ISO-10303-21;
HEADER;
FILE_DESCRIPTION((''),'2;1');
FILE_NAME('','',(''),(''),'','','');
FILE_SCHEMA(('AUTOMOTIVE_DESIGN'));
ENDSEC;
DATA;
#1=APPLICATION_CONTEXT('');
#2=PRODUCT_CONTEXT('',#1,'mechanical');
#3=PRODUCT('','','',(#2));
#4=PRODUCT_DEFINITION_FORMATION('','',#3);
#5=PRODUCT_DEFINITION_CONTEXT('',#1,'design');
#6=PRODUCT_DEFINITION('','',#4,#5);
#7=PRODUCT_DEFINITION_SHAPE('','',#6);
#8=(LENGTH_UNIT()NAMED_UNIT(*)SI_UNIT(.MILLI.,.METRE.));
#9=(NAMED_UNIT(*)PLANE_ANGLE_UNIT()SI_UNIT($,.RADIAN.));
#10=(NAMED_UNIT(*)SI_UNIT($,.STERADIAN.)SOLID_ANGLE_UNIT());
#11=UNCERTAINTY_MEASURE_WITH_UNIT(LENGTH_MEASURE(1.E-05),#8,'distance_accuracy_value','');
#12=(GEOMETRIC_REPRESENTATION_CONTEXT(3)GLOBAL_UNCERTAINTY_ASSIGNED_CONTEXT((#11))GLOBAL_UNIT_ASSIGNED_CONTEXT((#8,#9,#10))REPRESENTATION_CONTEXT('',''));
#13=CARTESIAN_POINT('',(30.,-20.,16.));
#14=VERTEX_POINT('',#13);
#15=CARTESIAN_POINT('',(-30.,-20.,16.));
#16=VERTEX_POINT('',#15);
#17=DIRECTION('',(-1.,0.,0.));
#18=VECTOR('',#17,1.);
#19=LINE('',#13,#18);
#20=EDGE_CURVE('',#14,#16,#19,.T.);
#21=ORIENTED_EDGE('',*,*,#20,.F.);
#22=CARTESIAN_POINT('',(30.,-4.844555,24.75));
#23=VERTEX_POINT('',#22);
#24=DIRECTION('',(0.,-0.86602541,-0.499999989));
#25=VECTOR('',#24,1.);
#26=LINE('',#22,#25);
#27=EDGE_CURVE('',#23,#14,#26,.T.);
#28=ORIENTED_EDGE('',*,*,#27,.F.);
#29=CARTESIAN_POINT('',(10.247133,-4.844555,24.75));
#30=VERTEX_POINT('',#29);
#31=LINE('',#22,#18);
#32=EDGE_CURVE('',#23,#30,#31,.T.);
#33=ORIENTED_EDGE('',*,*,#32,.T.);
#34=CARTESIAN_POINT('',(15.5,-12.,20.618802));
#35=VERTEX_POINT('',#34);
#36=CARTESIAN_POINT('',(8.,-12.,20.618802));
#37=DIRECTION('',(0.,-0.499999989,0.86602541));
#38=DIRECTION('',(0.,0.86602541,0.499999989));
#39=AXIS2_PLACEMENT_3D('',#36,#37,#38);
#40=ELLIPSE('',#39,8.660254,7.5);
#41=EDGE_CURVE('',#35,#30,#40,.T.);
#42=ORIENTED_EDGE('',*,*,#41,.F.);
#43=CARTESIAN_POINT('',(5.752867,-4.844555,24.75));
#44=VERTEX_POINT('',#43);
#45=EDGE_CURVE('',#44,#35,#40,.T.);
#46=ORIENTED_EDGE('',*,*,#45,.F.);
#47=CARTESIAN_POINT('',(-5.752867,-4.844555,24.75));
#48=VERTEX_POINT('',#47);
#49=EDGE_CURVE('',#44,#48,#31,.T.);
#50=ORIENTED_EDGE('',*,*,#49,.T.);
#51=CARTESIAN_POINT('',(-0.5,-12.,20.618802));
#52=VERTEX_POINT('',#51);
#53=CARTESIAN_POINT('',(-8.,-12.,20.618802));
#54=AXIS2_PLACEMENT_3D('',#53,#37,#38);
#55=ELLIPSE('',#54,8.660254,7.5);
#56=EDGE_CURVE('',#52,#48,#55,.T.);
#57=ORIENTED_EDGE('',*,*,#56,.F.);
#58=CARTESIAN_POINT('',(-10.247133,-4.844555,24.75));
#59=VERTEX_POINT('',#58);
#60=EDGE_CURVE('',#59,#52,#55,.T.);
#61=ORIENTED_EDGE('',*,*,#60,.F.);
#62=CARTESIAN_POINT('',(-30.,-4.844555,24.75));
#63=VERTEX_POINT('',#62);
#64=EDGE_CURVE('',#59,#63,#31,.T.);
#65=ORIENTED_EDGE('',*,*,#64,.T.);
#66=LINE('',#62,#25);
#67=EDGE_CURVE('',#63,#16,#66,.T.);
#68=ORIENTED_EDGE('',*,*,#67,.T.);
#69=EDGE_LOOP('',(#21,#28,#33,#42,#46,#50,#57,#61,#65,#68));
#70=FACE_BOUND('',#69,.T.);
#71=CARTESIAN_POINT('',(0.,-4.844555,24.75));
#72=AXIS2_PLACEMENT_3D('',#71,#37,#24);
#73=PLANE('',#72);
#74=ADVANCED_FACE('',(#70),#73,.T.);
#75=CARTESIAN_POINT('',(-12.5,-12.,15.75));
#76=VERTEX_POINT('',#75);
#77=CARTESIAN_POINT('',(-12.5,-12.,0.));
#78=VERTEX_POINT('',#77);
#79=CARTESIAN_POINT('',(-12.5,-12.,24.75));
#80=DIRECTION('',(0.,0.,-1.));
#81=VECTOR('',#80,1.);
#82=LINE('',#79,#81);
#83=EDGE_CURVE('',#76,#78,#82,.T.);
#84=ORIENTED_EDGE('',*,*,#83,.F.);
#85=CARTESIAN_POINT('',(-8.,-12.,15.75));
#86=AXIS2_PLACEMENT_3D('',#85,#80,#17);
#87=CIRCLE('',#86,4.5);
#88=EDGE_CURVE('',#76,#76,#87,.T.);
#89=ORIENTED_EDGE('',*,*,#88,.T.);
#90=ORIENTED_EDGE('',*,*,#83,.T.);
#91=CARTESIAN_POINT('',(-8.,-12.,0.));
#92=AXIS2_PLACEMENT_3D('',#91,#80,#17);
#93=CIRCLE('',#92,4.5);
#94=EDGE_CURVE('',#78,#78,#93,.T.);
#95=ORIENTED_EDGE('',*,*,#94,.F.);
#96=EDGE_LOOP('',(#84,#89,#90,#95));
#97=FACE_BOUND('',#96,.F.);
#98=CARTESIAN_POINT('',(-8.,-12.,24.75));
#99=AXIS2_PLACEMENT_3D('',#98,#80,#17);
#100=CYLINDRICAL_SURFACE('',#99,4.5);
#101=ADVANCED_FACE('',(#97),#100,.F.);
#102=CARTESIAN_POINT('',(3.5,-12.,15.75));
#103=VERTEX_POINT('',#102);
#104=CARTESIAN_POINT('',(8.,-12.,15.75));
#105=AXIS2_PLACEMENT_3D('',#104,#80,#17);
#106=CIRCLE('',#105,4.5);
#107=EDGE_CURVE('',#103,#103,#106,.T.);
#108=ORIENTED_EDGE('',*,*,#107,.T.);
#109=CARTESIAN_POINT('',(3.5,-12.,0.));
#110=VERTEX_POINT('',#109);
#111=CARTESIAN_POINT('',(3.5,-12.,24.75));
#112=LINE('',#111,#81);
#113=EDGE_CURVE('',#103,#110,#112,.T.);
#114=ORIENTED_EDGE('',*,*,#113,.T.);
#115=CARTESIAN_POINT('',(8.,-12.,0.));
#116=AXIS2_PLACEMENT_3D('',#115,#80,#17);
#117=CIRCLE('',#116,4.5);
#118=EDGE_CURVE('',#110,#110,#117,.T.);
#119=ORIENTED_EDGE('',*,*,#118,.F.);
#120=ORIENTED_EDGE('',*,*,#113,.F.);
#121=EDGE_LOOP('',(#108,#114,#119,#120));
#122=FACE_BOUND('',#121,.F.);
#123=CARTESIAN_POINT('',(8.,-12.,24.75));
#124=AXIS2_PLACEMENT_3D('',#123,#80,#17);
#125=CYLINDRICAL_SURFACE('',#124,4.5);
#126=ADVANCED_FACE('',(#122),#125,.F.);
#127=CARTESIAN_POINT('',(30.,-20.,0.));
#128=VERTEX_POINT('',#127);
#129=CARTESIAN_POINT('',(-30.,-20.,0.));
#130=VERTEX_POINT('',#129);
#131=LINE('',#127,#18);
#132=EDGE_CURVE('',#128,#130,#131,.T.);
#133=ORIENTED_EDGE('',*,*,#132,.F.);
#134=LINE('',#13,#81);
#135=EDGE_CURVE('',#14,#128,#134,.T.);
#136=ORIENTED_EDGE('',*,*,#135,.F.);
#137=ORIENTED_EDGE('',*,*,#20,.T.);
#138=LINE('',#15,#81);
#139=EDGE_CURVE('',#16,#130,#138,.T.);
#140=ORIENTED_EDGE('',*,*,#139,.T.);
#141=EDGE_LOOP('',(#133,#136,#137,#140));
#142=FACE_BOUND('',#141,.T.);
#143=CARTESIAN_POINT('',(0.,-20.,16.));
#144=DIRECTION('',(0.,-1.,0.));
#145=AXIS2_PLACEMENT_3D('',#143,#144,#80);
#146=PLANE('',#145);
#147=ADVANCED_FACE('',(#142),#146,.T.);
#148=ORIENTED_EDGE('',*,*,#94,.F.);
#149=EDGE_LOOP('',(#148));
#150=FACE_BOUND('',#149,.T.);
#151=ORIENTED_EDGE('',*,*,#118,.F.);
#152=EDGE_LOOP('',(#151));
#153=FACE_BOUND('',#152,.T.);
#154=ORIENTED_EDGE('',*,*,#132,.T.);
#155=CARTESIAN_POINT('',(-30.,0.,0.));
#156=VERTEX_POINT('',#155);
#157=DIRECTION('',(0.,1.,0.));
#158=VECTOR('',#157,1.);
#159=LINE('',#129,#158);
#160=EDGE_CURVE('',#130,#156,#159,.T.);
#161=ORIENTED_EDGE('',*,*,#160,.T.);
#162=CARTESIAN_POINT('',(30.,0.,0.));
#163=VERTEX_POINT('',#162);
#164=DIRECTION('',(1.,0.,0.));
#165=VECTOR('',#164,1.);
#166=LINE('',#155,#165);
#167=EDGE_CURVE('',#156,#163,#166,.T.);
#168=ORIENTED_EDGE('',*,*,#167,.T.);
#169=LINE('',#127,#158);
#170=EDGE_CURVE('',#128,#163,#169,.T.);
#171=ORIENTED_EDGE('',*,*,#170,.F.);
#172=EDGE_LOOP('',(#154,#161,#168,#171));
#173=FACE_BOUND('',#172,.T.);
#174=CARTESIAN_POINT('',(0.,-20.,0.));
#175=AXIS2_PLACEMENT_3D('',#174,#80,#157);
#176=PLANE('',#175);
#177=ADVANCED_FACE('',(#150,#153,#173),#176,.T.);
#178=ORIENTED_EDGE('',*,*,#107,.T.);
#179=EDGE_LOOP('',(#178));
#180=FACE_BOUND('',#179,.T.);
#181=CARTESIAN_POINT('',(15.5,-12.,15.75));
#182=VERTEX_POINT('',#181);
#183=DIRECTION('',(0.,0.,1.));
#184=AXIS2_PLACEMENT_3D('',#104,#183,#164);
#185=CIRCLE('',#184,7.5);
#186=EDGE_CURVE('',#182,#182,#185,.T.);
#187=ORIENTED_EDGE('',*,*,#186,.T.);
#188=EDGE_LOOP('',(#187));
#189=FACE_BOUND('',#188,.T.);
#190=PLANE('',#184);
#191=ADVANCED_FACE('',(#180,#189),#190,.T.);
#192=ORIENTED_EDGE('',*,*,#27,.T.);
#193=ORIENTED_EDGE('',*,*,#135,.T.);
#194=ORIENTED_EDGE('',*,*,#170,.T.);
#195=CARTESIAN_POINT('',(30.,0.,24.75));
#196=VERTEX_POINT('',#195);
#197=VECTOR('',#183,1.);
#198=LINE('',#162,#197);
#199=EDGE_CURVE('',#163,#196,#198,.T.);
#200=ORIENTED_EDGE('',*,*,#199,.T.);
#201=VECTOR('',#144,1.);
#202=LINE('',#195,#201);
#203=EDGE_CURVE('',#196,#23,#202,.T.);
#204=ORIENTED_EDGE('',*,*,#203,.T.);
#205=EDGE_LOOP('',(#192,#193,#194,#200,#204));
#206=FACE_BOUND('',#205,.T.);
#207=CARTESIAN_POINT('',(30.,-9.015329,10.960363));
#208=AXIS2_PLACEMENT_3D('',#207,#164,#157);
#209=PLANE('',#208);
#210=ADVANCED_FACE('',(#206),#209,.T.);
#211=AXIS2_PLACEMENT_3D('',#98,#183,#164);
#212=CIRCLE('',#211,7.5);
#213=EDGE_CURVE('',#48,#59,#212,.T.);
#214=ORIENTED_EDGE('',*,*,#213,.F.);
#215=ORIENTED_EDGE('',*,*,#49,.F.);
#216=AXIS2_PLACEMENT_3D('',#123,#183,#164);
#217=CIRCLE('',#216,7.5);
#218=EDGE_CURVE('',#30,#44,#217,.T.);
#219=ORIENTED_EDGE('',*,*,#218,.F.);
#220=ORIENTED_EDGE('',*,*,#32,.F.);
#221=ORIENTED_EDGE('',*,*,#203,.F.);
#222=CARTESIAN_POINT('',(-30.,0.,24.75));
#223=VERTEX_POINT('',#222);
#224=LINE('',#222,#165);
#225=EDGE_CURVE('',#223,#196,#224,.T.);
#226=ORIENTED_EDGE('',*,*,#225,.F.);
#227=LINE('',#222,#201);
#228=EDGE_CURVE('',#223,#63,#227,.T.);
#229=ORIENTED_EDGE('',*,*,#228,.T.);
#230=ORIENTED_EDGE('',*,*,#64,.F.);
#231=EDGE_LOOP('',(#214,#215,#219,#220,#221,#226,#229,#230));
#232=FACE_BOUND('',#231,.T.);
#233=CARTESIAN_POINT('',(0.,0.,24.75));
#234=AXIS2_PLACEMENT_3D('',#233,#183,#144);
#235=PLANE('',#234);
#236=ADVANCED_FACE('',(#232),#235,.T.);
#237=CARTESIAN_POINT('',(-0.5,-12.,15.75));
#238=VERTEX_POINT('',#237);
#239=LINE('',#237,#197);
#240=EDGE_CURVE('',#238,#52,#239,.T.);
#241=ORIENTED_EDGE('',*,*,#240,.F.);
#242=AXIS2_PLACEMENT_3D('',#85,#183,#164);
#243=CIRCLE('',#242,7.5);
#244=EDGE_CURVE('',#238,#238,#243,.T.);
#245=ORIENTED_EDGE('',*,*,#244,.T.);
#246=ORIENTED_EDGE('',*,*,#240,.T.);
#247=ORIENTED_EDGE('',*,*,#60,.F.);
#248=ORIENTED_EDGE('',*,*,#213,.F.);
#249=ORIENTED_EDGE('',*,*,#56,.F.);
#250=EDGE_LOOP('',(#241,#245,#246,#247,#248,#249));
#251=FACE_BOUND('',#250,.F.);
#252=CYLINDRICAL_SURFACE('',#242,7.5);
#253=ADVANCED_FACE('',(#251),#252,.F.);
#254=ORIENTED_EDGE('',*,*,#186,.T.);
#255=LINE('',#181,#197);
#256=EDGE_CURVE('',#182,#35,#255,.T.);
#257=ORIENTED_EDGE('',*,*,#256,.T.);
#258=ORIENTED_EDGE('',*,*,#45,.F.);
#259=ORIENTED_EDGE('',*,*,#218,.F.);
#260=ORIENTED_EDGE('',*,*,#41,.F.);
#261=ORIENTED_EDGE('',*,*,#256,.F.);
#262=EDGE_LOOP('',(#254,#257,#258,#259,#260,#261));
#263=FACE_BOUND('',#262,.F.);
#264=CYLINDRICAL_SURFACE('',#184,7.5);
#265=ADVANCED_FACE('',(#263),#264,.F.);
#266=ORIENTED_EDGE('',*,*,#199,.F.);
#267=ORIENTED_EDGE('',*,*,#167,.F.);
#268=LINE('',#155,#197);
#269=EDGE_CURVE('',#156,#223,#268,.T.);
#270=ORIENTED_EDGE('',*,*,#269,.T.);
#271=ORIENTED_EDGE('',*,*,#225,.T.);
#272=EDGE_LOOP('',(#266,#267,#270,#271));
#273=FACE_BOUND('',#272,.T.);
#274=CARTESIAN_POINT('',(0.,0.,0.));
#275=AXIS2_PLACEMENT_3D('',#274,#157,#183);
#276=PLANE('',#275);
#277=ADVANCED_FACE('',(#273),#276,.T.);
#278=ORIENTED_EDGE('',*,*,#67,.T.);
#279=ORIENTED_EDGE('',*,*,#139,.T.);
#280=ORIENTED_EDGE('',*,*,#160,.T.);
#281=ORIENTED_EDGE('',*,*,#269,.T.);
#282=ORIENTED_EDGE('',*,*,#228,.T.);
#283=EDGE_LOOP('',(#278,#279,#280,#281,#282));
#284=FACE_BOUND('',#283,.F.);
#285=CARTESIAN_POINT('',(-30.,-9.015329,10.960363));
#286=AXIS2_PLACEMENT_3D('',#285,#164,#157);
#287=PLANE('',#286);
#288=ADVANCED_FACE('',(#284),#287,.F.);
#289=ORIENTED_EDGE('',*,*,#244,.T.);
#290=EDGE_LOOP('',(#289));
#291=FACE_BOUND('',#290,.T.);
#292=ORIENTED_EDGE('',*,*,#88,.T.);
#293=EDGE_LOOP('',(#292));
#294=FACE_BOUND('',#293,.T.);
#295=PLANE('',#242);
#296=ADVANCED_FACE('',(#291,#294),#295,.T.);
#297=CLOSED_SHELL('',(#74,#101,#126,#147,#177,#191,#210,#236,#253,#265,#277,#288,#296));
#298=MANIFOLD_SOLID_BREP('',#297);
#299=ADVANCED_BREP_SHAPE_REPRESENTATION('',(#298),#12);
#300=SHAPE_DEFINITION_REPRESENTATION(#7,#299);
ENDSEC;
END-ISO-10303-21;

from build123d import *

# Parameters (mm, degrees)
F1_DEPTH       = 30
F3_D           = 9
F3_CBORE_D     = 15
F3_CBORE_DEPTH = 9


with BuildPart() as f1:
    # F0 (on Right) → F1 (new body, symmetric)
    with BuildSketch(Plane.YZ):
        Polygon((-20, 0), (0, 0), (0, 24.75), (-4.844555, 24.75), (-20, 16), align=None)
    extrude(amount=F1_DEPTH, both=True)

    # F3 (through all)
    with Locations(Plane.XY.offset(24.75)):
        with Locations((-8, -12), (8, -12)):
            CounterBoreHole(F3_D / 2, F3_CBORE_D / 2, F3_CBORE_DEPTH)


solid = f1.part
